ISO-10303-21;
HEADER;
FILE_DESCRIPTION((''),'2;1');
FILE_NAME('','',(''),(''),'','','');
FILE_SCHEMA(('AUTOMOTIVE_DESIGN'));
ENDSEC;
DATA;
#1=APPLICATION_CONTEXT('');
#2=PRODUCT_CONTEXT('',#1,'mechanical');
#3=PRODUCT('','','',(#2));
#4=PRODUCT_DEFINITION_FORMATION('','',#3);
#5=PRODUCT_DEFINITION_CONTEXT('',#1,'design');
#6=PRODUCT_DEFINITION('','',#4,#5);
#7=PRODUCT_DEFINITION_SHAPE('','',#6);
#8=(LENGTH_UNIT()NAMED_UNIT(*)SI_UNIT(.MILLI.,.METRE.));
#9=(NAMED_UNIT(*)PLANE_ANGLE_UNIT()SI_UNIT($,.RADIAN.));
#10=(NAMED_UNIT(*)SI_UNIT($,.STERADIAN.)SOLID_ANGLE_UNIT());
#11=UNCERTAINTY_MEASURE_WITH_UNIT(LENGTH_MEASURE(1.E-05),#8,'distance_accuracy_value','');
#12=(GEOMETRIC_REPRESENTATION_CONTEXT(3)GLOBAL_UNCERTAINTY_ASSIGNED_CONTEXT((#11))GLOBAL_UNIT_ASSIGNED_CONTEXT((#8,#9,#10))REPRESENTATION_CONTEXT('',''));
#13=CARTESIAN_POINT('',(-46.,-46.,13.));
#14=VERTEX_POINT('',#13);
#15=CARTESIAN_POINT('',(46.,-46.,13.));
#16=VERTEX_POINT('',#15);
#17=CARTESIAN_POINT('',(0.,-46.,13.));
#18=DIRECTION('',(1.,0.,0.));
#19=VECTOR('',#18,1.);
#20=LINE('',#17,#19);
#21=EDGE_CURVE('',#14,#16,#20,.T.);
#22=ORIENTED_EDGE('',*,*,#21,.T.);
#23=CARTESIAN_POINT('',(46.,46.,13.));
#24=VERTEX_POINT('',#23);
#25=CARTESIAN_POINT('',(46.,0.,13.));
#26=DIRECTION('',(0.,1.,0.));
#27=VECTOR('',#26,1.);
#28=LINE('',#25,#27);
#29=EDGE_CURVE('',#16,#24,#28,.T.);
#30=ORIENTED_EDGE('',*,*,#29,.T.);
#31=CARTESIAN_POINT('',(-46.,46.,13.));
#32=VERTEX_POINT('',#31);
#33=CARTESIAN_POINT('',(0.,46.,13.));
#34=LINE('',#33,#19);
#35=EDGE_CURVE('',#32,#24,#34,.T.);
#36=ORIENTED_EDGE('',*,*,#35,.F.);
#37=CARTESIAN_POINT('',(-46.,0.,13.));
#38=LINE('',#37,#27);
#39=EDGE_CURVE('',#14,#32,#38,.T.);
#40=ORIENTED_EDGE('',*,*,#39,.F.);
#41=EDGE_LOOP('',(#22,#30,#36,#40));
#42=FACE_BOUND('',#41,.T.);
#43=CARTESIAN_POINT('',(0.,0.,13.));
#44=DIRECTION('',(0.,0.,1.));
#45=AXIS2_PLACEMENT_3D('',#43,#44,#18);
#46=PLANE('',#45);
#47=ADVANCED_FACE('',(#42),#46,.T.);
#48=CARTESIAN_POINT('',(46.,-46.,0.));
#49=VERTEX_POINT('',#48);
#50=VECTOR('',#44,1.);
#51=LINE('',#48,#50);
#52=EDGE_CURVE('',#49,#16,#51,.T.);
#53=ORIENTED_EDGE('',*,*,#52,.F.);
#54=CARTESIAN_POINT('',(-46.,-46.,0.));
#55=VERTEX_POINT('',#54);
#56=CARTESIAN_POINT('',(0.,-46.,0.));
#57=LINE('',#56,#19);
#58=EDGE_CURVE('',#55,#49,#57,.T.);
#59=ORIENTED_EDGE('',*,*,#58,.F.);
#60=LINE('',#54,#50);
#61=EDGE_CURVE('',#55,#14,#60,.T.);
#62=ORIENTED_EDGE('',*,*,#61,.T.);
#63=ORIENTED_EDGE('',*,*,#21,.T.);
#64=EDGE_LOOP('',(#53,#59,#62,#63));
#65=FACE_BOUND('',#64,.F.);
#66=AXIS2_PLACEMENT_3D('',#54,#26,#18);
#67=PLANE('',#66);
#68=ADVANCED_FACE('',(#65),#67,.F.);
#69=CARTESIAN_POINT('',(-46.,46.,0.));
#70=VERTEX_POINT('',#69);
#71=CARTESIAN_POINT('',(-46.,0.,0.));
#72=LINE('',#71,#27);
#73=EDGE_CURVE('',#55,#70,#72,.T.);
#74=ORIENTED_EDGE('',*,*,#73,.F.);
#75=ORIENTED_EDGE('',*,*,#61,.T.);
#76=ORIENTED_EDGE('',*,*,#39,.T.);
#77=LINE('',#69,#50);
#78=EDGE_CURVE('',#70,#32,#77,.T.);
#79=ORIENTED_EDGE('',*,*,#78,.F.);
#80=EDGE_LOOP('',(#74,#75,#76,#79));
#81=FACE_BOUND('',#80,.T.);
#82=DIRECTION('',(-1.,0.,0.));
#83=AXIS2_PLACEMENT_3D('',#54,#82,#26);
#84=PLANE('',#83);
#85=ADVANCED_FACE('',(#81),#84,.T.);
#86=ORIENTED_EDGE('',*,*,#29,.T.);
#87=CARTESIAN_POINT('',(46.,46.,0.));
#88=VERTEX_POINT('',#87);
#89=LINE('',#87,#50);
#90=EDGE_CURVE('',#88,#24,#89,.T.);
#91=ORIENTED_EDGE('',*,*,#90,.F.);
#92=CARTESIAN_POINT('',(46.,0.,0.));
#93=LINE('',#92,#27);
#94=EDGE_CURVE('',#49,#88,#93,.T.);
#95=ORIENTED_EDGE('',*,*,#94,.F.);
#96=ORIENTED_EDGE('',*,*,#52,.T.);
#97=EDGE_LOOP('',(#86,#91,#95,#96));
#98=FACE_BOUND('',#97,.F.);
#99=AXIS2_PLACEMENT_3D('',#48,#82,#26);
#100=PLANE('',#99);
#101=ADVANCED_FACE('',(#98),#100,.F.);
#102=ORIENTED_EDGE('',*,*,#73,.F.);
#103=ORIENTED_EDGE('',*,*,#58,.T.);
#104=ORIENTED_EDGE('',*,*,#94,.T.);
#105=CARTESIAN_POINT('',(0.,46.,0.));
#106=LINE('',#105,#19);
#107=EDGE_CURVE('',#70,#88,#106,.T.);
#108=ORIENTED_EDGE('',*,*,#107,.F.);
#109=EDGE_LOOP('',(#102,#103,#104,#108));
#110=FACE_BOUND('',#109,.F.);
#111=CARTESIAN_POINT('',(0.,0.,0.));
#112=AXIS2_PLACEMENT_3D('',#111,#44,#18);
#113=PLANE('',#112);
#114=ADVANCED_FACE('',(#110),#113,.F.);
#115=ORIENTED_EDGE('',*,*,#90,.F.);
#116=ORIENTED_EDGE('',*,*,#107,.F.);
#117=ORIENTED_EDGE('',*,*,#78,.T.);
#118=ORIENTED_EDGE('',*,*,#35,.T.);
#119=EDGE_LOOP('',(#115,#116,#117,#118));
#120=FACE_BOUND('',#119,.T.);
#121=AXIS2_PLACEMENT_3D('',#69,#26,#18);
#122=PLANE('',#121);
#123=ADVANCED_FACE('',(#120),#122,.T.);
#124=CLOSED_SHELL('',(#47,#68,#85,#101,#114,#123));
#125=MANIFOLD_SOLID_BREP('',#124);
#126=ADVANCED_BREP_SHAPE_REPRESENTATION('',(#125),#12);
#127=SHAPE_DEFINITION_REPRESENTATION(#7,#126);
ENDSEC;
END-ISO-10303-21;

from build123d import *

# Parameters (mm, degrees)
SKETCH_W  = 92
SKETCH_H  = 92
PAD_DEPTH = 13


with BuildPart() as part:
    # Sketch → Pad (new body)
    with BuildSketch(Plane.XY):
        Rectangle(SKETCH_W, SKETCH_H)
    extrude(amount=PAD_DEPTH)


solid = part.part
